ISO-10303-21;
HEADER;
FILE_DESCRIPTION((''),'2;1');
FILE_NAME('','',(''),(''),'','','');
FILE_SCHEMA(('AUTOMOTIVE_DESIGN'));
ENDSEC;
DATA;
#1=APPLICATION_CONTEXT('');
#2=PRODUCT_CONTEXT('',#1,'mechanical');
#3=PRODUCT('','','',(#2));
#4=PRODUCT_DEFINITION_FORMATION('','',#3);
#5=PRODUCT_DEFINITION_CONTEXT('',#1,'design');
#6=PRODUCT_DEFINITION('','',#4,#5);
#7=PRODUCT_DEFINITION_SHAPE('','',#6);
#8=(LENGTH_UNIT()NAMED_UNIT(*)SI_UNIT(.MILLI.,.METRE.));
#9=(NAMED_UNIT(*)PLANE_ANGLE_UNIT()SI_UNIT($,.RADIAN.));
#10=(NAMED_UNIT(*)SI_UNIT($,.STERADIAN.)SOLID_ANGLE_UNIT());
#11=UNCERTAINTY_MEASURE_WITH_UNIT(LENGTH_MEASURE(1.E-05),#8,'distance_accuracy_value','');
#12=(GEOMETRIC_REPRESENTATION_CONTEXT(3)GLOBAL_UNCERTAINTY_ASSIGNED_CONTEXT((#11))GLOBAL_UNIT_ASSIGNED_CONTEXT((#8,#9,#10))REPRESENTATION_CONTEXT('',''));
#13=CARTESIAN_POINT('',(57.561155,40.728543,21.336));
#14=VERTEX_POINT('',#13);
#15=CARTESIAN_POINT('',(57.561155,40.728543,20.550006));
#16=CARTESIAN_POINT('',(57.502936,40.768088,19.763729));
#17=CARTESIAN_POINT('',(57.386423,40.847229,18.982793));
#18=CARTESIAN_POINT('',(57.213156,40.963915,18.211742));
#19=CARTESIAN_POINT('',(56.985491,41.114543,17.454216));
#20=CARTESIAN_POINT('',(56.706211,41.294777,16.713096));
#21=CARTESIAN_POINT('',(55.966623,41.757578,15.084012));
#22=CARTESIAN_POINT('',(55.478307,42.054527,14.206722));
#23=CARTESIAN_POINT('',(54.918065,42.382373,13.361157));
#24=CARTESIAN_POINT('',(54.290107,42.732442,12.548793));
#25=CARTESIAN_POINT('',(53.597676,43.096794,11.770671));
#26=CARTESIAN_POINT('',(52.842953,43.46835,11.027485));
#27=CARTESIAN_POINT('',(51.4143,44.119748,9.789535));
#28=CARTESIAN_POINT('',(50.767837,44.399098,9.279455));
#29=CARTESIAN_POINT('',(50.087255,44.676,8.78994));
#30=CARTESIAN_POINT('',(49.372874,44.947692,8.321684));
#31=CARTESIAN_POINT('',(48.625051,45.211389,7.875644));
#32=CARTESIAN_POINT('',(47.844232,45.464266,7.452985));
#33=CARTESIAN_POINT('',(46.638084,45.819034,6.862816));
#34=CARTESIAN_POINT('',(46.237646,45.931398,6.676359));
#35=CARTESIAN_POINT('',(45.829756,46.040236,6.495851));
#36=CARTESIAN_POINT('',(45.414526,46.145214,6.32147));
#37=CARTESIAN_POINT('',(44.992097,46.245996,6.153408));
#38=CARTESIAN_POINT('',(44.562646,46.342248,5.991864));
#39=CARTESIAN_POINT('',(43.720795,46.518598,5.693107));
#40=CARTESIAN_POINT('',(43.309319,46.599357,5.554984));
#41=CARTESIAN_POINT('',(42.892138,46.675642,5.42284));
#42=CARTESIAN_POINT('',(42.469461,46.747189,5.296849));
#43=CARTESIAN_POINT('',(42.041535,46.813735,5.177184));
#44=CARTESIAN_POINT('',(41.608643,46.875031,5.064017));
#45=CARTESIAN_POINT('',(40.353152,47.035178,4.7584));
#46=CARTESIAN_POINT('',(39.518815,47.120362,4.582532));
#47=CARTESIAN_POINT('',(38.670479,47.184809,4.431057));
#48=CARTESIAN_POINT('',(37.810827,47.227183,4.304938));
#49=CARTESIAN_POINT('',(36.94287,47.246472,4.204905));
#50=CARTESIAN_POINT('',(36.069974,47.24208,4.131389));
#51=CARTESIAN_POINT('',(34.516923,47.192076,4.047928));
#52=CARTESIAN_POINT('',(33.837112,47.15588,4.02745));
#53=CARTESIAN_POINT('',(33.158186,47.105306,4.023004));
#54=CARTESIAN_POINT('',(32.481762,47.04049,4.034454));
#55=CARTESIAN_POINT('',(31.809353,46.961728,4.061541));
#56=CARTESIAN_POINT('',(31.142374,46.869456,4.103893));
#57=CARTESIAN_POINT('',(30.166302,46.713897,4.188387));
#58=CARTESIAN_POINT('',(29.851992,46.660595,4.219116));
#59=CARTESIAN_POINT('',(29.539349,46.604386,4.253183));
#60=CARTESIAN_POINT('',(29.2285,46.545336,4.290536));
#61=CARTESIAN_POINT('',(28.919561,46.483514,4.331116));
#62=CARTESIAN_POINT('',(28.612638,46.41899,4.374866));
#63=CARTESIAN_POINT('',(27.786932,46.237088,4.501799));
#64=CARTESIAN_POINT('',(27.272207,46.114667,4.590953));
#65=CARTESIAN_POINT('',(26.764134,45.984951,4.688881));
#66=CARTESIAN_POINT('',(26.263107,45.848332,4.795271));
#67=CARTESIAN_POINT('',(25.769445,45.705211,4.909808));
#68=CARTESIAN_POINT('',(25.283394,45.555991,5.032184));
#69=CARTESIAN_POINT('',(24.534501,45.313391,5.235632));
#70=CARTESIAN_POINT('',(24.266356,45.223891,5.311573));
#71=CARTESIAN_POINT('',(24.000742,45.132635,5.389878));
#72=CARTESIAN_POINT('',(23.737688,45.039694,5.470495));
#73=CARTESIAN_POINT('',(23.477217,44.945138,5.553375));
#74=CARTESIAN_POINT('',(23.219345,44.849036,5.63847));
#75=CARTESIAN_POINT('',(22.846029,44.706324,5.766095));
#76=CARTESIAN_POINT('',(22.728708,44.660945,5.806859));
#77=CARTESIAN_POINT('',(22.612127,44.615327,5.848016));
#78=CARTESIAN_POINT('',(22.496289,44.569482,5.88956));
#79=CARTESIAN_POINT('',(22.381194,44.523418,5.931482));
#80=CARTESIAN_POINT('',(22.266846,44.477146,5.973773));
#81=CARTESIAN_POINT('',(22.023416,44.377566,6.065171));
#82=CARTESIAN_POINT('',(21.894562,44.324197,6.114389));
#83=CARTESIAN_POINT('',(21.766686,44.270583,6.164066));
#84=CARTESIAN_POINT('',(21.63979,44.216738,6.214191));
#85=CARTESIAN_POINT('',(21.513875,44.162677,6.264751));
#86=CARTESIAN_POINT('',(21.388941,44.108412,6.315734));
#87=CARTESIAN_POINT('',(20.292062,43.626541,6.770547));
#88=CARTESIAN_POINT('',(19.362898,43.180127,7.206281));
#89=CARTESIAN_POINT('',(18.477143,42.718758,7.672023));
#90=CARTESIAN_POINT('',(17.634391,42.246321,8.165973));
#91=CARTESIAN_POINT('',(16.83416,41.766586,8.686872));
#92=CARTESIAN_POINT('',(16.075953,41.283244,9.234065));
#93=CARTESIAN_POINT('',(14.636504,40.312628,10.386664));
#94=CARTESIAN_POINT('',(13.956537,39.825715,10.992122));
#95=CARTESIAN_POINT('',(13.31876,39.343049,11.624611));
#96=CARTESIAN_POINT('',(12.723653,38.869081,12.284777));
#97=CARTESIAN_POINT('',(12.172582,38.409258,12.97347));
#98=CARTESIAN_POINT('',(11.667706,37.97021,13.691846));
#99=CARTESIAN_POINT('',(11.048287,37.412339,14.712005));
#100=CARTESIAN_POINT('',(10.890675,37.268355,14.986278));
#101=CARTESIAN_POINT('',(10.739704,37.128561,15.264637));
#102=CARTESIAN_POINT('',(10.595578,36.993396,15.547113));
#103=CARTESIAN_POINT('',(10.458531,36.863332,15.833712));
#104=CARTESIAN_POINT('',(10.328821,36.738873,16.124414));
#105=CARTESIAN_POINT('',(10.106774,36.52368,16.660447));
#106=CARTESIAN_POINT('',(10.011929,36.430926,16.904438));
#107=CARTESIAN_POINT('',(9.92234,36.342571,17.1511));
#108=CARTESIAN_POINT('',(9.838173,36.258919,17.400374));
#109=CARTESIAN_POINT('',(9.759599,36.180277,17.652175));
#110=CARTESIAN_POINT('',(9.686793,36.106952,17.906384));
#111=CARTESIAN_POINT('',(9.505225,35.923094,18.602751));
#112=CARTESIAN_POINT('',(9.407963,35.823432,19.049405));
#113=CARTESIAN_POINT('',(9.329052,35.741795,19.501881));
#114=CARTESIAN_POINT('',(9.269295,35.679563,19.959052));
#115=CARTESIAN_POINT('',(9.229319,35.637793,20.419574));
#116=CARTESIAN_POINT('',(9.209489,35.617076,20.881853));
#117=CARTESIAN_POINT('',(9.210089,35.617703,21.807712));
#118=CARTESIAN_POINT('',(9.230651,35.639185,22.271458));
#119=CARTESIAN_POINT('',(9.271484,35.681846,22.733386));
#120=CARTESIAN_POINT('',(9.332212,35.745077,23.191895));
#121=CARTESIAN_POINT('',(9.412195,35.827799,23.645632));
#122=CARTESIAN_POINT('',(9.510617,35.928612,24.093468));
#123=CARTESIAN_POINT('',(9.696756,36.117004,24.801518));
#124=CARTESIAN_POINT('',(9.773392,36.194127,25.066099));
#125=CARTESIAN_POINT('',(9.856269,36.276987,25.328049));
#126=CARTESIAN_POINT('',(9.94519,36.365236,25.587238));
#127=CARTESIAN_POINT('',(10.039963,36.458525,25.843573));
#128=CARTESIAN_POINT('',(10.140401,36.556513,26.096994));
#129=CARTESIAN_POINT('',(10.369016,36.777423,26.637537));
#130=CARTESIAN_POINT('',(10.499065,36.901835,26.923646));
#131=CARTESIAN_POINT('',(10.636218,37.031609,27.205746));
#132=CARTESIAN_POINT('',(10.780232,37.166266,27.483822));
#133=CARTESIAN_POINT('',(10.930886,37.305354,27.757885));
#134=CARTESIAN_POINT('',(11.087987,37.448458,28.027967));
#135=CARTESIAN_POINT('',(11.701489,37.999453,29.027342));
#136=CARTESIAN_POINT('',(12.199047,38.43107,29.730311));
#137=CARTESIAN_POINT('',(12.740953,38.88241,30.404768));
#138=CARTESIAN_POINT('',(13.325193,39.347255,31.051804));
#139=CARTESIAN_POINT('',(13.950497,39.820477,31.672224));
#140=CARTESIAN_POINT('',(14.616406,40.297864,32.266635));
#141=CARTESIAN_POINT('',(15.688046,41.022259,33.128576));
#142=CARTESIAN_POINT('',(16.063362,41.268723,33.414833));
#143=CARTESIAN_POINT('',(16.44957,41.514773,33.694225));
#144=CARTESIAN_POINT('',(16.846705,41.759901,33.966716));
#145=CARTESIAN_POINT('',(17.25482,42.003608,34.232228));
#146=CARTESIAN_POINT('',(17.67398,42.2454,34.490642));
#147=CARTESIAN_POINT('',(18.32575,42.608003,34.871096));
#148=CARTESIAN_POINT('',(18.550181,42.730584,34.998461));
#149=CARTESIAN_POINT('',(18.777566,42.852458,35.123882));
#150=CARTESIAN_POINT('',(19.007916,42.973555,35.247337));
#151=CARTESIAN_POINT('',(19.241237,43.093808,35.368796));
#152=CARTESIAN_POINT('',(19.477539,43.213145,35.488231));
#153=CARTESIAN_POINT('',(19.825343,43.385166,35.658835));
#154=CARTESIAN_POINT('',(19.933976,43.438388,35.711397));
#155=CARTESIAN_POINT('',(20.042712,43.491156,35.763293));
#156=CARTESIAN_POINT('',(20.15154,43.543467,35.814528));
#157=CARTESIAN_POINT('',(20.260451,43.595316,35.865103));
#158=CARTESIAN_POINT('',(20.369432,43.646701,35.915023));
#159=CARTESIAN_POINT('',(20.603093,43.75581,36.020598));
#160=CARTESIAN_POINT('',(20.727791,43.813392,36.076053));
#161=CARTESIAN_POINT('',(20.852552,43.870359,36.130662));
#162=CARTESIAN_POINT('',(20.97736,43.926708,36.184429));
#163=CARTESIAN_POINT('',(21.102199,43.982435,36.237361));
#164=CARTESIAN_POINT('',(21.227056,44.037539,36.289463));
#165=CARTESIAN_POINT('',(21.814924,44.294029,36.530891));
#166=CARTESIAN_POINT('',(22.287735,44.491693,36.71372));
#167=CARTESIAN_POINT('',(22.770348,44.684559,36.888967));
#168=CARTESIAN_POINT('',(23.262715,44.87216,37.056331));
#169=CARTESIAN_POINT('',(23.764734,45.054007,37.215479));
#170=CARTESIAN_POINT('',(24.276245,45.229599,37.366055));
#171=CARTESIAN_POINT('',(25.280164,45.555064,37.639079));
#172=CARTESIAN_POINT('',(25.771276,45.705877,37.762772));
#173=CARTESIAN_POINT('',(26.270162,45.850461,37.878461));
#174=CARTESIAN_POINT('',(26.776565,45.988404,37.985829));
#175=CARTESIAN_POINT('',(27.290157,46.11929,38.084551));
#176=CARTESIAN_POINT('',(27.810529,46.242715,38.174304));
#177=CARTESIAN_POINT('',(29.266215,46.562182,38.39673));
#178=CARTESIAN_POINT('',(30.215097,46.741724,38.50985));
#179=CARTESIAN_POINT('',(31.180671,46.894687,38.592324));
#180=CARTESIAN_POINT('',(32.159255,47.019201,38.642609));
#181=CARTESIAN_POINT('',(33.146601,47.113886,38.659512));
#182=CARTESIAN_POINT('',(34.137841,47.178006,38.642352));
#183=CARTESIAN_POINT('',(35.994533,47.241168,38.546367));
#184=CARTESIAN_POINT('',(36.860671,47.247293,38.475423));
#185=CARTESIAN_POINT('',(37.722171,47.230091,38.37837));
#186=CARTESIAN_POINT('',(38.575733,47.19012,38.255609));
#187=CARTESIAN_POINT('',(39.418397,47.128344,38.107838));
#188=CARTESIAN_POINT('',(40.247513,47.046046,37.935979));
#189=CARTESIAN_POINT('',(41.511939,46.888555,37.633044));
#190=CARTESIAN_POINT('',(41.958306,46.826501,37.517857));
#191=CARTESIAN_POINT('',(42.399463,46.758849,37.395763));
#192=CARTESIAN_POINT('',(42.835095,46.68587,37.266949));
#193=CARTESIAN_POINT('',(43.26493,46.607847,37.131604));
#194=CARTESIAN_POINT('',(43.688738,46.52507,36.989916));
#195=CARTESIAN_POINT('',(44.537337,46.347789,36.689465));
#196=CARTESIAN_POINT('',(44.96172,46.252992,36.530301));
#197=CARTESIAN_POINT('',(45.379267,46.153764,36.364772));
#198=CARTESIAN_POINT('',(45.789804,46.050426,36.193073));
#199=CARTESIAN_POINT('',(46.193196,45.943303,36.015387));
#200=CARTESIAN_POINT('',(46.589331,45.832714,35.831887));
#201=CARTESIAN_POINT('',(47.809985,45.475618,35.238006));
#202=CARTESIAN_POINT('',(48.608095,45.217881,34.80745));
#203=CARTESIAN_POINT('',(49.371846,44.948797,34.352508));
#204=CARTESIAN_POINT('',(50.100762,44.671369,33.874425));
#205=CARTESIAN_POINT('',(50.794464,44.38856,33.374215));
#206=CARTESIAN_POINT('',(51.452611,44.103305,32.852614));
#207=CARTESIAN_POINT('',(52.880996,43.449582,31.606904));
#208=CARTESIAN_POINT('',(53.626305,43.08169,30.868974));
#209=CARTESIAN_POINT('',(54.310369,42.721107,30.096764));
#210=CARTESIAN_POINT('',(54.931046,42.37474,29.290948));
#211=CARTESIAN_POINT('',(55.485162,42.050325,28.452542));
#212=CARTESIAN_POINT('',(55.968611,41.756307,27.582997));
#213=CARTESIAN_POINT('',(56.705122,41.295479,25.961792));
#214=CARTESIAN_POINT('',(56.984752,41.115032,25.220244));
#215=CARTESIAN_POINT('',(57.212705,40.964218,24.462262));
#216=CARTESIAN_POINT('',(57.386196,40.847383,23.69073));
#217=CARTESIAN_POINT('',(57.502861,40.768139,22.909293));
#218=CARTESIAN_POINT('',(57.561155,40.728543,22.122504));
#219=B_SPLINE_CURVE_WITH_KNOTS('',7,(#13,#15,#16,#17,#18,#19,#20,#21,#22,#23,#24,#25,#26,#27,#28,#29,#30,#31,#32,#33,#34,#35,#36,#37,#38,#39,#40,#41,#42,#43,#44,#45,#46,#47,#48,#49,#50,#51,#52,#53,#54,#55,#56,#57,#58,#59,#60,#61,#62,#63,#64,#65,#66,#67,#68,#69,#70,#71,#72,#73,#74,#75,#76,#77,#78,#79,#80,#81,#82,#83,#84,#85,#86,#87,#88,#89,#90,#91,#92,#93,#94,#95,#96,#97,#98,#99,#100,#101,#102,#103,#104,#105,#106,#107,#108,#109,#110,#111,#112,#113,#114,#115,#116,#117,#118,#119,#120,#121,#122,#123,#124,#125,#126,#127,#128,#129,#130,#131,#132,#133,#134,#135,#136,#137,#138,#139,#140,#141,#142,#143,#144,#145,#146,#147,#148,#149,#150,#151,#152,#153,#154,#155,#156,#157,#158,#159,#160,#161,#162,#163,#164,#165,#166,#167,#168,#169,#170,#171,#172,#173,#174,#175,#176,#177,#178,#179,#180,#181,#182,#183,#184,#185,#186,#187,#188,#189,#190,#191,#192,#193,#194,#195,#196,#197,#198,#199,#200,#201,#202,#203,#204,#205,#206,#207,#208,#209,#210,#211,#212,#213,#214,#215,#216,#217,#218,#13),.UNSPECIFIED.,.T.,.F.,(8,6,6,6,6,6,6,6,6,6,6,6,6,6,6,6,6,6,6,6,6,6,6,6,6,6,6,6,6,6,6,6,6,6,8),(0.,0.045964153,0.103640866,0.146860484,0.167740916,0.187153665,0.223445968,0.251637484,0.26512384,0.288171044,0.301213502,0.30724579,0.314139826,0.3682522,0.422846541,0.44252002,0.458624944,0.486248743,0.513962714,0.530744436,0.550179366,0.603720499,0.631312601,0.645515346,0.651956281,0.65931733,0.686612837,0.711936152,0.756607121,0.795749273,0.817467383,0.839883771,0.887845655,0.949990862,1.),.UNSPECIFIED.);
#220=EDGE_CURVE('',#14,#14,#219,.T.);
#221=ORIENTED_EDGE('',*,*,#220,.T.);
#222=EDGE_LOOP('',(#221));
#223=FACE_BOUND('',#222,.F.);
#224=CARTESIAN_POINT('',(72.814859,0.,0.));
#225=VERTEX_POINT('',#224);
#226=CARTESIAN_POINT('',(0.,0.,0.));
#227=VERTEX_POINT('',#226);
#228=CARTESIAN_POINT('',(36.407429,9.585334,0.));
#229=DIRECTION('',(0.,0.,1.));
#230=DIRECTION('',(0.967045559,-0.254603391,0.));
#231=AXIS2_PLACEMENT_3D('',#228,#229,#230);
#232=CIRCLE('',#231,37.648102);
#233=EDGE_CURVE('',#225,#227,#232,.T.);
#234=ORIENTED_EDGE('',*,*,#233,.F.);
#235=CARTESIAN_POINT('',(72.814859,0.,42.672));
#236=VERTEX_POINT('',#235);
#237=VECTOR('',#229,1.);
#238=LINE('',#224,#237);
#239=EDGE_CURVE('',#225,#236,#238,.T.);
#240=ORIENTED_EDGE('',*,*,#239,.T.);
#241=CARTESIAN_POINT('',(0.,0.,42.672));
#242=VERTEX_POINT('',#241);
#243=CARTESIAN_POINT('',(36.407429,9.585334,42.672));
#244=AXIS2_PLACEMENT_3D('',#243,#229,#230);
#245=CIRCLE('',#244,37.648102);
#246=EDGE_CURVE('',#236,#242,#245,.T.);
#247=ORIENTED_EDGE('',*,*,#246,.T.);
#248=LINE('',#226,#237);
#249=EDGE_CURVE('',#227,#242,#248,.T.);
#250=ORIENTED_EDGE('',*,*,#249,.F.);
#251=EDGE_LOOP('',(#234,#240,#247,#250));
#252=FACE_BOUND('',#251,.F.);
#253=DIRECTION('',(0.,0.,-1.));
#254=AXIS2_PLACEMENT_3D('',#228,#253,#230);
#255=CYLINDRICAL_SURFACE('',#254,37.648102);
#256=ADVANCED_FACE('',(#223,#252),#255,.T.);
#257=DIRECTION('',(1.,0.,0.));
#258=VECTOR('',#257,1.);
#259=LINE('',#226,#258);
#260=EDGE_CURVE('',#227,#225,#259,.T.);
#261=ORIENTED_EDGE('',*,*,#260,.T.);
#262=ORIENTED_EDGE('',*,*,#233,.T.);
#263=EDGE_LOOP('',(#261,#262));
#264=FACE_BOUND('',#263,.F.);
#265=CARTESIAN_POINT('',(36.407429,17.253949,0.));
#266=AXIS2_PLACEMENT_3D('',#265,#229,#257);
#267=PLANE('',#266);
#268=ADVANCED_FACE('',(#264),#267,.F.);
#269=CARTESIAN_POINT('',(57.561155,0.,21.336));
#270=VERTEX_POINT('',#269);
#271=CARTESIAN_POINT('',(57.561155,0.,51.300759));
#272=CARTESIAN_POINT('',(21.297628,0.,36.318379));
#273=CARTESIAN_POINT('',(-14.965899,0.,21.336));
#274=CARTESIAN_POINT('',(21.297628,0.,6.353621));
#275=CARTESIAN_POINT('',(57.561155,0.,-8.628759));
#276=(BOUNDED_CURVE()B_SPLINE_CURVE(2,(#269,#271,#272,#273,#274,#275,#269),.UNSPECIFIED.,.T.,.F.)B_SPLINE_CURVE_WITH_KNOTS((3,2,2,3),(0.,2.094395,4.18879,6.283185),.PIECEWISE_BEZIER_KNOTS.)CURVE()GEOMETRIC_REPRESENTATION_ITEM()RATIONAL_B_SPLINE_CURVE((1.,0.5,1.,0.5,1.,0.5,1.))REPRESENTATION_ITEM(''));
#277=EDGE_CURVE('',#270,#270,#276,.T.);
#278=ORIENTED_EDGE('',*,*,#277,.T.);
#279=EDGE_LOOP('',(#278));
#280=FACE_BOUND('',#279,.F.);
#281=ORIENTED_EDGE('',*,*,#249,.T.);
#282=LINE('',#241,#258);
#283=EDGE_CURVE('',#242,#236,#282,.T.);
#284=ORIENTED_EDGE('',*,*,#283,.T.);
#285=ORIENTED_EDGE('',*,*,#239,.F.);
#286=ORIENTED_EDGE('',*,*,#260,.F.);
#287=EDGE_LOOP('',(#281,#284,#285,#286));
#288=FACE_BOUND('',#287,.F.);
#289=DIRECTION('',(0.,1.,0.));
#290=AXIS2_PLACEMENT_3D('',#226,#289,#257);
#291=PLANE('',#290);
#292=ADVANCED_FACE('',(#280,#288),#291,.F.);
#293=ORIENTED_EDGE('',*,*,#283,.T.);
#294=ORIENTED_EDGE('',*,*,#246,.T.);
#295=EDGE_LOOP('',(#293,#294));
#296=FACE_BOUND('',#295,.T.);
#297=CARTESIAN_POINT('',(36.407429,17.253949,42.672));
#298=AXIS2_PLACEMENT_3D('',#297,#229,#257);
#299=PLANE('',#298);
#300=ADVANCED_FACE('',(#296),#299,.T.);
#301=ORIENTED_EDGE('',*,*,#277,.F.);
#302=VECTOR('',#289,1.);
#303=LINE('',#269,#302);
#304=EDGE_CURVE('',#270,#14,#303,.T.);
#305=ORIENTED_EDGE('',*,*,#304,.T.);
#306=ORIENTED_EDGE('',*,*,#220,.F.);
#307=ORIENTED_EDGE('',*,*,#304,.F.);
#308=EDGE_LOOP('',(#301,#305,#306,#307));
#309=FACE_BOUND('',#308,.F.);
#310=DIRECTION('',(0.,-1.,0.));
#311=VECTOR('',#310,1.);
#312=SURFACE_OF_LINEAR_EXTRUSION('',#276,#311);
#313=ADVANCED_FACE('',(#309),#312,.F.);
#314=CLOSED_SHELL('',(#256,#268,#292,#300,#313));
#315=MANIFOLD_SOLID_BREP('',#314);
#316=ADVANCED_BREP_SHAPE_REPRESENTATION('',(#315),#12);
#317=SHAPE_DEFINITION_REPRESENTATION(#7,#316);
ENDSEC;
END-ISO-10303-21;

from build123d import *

# Parameters (mm, degrees)
F1_DEPTH = 42.672
F3_DEPTH = 58.928


with BuildPart() as f1:
    # F0 (on Top) → F1 (new body)
    with BuildSketch(Plane.XY):
        with BuildLine():
            Line((0, 0), (72.814859, 0))
            ThreePointArc((72.814859, 0), (36.40743, 47.233436), (0, 0))
        make_face()
    extrude(amount=F1_DEPTH)

    # F2 (on face) → F3 (cut)
    with BuildSketch(Plane.XZ):
        with BuildLine():
            add(Edge.make_bspline(
                [(57.561155, 21.336), (57.561155, 51.300759), (21.297628, 36.318379), (-14.965899, 21.336), (21.297628, 6.353621), (57.561155, -8.628759), (57.561155, 21.336)],
                knots=[0, 0, 0, 2.094395, 2.094395, 4.18879, 4.18879, 6.283185, 6.283185, 6.283185], degree=2, weights=[1, 0.5, 1, 0.5, 1, 0.5, 1]))
        make_face()
    extrude(amount=-F3_DEPTH, mode=Mode.SUBTRACT)


solid = f1.part
